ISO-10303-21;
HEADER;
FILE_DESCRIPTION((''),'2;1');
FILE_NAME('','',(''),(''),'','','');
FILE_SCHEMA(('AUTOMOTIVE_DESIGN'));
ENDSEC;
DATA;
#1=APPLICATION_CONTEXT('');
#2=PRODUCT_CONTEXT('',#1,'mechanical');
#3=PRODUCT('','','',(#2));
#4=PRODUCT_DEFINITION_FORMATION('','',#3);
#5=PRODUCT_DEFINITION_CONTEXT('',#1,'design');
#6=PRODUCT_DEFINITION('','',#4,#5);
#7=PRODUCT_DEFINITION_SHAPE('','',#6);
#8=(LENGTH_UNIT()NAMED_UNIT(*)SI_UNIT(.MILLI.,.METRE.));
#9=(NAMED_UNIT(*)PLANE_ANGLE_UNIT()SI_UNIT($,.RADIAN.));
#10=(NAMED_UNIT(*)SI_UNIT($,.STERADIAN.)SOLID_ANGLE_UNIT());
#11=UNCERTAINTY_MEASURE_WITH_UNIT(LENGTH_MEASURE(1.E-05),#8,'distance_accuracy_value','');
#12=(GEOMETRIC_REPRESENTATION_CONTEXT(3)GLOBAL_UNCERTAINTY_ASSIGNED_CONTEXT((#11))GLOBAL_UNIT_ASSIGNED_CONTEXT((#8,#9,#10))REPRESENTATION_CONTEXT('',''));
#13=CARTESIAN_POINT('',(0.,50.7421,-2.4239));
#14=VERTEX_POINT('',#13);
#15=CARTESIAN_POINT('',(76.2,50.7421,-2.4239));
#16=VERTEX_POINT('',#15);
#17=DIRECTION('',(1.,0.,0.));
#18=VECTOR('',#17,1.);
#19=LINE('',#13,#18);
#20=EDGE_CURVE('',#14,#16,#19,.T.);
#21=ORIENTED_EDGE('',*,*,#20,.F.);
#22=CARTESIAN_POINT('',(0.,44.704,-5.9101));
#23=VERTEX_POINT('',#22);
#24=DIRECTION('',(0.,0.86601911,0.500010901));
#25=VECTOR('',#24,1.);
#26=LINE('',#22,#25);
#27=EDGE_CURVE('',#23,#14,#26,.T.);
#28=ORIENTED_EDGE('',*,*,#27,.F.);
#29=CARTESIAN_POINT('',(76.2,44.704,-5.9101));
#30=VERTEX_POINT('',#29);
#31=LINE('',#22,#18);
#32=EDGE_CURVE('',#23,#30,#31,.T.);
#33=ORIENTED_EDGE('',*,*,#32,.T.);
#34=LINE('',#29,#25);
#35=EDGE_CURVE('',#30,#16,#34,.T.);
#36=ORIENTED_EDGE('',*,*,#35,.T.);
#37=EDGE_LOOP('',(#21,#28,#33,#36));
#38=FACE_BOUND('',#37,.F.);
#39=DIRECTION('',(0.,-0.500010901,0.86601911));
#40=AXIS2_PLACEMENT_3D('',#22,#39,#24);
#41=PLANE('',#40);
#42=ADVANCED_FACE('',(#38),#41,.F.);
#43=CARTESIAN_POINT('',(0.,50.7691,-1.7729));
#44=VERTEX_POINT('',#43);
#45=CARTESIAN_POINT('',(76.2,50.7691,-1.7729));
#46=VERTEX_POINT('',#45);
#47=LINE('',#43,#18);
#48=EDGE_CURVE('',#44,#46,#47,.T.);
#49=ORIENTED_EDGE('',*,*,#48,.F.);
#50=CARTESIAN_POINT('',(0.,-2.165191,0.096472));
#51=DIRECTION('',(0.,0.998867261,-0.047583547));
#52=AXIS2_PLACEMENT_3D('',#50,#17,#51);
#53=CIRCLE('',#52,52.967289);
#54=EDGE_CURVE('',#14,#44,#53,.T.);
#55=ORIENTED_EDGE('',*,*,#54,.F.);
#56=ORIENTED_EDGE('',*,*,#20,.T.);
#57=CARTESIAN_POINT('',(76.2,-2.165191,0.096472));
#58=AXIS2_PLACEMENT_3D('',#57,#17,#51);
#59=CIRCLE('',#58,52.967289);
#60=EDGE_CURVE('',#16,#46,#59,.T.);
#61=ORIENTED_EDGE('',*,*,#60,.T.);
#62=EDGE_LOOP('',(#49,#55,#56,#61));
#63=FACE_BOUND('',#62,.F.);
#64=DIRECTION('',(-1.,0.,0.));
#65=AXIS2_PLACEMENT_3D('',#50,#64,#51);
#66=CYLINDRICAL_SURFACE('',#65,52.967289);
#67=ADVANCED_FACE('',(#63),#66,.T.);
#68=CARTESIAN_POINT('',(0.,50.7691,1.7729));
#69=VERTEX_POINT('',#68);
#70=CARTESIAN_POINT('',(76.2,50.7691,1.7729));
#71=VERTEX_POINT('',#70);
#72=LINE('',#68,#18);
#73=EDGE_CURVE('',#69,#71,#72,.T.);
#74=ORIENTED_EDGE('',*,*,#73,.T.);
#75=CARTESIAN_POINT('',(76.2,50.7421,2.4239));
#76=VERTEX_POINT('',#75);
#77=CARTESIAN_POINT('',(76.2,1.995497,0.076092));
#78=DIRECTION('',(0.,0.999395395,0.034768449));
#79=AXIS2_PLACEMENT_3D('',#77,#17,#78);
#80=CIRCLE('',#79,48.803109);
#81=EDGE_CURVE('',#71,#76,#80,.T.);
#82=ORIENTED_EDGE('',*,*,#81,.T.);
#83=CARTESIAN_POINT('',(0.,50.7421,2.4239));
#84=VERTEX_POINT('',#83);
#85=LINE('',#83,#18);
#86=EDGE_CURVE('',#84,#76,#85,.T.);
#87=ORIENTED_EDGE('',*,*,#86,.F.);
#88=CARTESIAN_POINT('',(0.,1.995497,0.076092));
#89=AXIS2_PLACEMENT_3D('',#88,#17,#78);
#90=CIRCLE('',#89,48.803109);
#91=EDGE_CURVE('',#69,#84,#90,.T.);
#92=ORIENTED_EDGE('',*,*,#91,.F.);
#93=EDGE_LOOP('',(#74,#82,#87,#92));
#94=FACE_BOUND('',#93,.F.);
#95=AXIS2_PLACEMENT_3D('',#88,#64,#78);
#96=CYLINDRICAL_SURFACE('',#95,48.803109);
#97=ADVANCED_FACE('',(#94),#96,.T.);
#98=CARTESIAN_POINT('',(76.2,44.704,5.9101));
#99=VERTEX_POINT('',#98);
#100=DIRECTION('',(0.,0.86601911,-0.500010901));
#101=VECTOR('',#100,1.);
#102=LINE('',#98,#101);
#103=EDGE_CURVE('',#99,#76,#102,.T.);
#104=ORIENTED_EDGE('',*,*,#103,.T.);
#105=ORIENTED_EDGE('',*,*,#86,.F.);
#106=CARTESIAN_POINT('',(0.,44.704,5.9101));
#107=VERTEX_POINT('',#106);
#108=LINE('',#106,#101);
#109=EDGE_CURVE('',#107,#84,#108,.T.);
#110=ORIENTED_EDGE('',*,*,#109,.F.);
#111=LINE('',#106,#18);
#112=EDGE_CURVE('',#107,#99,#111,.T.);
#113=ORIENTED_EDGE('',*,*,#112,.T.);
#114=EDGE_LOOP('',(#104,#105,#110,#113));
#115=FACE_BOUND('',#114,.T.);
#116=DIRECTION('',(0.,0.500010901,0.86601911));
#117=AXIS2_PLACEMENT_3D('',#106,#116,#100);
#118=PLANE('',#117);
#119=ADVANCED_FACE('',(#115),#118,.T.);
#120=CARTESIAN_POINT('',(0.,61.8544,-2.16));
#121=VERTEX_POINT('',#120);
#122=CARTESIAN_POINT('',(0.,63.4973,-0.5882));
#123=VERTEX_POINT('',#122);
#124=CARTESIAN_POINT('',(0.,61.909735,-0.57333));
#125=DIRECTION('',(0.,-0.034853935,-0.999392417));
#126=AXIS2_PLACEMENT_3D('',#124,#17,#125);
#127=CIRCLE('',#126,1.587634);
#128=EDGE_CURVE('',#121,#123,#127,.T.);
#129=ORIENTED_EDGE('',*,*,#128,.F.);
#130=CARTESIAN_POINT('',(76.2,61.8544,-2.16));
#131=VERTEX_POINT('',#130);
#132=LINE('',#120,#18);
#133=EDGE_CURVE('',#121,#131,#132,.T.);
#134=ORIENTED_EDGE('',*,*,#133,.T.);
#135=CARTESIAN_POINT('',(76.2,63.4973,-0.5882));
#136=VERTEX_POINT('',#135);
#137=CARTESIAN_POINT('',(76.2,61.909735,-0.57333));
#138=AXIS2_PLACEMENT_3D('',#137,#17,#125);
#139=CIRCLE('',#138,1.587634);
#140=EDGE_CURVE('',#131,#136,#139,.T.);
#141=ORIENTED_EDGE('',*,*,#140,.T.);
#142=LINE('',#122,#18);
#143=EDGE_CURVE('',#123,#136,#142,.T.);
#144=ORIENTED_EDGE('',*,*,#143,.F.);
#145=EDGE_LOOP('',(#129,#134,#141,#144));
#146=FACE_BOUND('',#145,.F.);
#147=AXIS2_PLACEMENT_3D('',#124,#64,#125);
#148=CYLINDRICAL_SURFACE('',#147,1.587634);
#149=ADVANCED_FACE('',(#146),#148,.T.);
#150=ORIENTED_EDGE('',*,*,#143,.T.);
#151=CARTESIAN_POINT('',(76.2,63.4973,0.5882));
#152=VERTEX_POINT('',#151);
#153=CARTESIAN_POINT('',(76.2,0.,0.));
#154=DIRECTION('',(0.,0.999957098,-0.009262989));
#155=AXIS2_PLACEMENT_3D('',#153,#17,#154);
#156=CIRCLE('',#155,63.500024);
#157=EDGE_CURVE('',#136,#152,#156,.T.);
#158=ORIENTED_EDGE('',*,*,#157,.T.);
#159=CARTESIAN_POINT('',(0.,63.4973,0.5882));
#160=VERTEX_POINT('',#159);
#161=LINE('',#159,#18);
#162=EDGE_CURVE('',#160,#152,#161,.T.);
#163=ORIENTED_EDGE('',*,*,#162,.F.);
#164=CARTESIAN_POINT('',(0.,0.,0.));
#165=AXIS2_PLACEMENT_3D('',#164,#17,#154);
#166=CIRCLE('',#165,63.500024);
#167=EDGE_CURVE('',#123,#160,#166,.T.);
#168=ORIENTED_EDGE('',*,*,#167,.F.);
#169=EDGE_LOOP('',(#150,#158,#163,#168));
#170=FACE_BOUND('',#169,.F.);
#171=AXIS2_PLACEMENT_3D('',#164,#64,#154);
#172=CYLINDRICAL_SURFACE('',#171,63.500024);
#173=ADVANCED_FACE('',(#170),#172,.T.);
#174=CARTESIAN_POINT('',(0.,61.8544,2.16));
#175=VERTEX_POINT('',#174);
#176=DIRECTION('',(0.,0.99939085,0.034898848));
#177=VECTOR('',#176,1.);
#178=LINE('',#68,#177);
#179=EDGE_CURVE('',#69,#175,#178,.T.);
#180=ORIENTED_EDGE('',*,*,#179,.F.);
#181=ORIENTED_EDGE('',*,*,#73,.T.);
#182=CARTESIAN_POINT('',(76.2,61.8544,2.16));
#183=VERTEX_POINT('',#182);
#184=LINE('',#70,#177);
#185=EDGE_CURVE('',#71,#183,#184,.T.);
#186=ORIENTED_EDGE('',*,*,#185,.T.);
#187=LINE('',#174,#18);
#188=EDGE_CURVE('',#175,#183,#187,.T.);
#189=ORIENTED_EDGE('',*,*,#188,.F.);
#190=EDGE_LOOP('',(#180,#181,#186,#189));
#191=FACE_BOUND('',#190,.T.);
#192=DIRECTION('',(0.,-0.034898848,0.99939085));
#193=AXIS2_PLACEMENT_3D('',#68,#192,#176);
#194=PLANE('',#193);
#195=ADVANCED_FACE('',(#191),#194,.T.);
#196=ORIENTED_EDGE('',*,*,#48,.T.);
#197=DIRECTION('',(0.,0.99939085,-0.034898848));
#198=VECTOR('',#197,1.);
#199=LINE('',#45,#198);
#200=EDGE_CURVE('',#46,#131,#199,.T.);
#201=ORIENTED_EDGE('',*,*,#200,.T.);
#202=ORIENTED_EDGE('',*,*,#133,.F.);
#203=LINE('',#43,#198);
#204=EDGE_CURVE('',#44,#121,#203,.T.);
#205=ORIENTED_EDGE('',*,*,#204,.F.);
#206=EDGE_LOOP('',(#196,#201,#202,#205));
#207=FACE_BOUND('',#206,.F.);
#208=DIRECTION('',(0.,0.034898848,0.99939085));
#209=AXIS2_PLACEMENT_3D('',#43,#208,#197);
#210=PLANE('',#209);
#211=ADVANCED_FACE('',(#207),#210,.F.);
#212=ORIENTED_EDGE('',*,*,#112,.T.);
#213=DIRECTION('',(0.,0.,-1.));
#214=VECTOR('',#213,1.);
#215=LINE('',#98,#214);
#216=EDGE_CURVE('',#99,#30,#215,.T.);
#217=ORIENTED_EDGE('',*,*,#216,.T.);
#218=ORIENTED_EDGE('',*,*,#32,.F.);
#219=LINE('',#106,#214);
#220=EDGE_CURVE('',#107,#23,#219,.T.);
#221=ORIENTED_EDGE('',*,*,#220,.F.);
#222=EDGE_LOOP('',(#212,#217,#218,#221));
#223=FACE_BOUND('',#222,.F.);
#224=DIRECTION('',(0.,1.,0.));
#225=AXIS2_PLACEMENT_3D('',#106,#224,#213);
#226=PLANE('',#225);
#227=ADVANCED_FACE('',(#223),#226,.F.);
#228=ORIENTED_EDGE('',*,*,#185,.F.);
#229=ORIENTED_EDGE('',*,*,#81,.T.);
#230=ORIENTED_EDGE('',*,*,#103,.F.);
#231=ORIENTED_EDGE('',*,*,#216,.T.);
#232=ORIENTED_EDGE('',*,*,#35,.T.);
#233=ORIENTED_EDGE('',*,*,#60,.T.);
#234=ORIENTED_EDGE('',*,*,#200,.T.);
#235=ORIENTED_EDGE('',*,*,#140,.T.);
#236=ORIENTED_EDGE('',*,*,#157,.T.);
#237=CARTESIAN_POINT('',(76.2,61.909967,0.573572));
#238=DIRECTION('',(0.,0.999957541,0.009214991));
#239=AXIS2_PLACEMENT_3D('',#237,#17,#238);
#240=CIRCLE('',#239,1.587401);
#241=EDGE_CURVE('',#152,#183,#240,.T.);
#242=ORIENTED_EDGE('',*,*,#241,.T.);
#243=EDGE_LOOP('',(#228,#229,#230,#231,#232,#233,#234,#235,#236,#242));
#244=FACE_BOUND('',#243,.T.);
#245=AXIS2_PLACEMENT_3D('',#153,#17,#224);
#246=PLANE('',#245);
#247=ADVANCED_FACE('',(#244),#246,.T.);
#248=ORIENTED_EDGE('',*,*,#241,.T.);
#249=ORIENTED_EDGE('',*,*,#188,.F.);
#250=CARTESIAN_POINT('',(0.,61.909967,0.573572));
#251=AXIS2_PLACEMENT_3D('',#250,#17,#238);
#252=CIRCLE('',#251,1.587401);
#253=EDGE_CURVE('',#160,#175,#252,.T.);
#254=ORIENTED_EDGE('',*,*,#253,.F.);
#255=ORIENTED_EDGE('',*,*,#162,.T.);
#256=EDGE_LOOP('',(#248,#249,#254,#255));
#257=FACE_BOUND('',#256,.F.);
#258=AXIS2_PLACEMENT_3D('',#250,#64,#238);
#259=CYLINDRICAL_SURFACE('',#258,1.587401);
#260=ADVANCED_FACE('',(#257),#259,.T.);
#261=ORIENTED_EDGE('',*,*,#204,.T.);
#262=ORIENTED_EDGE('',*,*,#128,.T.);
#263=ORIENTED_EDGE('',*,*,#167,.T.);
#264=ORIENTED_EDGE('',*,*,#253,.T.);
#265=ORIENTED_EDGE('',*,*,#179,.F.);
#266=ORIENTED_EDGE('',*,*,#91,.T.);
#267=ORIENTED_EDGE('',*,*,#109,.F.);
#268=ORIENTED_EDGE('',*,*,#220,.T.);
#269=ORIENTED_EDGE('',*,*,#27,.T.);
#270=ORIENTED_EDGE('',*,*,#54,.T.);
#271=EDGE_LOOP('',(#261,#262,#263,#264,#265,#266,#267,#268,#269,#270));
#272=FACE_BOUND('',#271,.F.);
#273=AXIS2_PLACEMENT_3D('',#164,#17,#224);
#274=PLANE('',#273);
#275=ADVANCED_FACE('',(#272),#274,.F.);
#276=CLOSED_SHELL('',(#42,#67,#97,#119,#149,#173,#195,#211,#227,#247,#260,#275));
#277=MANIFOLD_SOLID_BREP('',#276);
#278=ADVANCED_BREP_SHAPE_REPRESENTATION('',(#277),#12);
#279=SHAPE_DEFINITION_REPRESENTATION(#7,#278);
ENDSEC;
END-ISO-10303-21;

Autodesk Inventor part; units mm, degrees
ref_plane "YZ Plane" through (0, 0, 0) normal (1, 0, 0) x (0, 1, 0)
ref_plane "XZ Plane" through (0, 0, 0) normal (0, 1, 0) x (-1, 0, 0)
ref_plane "XY Plane" through (0, 0, 0) normal (0, 0, 1) x (1, 0, 0)
sketch "Sketch1" plane through (0, 0, 0) normal (1, 0, 0) x (0, 1, 0)
  arc A0 (63.4973, -0.5882) -> (63.4973, 0.5882) centre (0, 0) ccw
  line L0 (50.7691, -1.7729) -> (61.8544, -2.16)
  line L1 (50.7691, 1.7729) -> (61.8544, 2.16)
  arc A1 (63.4973, 0.5882) -> (61.8544, 2.16) centre (61.9098, 0.5735) ccw
  arc A2 (61.8544, -2.16) -> (63.4973, -0.5882) centre (61.9098, -0.5735) ccw
  arc A3 (2.7261, 50.7268) -> (-2.7261, 50.7268) centre (0, 0) ccw
  line L2 (44.704, 5.9101) -> (44.704, -5.9101)
  line L3 (44.704, 5.9101) -> (50.7421, 2.4239)
  line L4 (44.704, -5.9101) -> (50.7421, -2.4239)
  arc A4 (50.7421, -2.4239) -> (50.7691, -1.7729) centre (0, 0) ccw
  arc A5 (50.7691, 1.7729) -> (50.7421, 2.4239) centre (0, 0) ccw
  line L5 (63.5, 0) -> (73.7693, 0) construction
  point P0 (63.4613, -2.2161)
  point P1 (63.4613, 2.2161)
  point P2 (50.7268, -2.7261)
  dimension "d9" = 1.5875
extrude "Extrusion1" add sketch "Sketch1" along normal blind 76.2
properties part number "220525 Notch 0.5 inch"
